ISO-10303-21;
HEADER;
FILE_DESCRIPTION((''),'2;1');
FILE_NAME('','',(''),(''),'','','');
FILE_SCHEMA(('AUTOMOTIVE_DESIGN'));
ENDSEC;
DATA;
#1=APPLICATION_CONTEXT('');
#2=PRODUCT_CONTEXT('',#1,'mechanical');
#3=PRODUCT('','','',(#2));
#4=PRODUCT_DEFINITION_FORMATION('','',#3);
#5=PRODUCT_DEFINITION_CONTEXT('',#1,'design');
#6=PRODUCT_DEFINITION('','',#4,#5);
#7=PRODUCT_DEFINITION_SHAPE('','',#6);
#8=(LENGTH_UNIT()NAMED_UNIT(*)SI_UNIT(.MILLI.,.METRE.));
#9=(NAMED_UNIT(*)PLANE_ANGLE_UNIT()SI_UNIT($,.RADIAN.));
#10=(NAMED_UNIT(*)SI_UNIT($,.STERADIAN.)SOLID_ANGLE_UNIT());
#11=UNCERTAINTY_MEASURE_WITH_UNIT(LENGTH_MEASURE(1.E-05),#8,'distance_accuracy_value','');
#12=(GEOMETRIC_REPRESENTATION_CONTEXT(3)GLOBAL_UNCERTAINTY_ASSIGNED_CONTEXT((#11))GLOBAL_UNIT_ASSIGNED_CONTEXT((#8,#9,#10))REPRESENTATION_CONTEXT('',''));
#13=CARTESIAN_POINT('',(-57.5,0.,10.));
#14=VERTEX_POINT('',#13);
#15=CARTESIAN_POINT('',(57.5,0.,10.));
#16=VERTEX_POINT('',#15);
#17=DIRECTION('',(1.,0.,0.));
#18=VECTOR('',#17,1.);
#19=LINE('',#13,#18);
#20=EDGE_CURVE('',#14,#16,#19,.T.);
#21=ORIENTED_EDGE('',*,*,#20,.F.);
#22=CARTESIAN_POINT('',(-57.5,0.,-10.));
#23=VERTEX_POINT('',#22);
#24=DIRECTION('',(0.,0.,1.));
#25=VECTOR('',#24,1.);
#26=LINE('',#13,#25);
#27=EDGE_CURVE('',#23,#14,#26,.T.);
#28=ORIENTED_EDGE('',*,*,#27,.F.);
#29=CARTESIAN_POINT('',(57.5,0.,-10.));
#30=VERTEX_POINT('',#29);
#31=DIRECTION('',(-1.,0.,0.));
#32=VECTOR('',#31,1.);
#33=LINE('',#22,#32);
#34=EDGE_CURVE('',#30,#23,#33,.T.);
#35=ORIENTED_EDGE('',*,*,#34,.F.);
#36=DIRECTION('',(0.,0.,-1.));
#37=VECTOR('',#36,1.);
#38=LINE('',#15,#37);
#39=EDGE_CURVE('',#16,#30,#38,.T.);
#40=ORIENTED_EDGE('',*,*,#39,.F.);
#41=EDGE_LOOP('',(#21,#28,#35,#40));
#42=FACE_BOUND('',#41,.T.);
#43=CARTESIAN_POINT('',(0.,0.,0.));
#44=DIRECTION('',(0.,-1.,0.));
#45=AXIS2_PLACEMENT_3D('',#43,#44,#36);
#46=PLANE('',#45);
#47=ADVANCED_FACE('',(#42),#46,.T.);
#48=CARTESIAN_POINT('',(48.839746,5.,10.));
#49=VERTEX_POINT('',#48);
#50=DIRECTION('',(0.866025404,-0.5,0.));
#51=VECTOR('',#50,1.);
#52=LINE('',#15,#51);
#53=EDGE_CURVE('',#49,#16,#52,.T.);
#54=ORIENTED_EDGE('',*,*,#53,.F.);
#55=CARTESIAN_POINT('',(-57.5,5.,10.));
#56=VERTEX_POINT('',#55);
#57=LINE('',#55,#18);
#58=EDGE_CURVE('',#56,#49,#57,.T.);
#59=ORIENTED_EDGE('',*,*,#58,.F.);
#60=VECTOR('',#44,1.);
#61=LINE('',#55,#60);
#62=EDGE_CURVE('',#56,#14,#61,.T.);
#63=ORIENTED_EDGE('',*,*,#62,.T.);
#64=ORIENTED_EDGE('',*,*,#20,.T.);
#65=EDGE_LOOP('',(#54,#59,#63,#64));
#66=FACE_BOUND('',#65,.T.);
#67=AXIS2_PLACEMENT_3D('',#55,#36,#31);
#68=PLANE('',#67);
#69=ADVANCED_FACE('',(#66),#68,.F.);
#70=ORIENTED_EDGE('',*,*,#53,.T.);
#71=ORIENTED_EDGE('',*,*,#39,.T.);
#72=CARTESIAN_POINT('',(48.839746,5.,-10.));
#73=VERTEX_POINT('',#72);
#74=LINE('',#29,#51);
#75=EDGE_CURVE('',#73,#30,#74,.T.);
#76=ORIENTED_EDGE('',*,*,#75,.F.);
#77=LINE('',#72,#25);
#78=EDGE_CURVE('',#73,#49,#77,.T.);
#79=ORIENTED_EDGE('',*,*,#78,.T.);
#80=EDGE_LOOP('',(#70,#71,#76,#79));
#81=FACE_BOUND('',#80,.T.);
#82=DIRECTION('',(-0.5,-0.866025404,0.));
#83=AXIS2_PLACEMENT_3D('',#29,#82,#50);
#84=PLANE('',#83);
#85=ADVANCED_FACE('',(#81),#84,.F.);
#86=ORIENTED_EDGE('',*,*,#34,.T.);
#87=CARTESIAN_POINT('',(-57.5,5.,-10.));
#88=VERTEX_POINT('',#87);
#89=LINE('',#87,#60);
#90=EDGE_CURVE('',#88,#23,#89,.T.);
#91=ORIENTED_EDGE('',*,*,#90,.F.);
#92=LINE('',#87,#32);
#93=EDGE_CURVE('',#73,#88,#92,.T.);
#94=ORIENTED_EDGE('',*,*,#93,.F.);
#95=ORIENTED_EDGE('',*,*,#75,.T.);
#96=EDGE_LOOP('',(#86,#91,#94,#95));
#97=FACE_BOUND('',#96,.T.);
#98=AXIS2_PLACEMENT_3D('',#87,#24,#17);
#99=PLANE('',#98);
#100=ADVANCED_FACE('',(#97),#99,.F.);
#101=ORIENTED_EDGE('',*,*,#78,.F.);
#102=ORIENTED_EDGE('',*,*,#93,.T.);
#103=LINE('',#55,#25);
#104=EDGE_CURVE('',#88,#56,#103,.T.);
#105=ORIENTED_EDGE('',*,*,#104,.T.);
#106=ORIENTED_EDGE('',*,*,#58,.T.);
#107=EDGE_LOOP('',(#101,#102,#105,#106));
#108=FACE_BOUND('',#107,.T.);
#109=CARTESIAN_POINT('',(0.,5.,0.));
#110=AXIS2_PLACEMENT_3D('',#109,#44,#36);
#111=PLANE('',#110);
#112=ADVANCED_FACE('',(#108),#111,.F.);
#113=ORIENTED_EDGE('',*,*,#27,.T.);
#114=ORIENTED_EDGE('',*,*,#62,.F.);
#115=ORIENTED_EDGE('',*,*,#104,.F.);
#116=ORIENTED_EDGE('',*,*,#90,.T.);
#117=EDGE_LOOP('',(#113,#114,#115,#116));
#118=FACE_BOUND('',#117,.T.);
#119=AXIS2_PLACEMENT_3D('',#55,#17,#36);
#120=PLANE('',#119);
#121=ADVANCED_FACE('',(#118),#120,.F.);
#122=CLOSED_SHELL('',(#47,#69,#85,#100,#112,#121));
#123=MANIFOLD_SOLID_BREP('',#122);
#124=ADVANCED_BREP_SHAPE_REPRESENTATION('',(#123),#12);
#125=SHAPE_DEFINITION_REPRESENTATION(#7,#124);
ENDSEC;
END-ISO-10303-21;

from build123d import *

# Parameters (mm, degrees)
SKETCH1_W           = 115
SKETCH1_H           = 20
BOSS_EXTRUDE1_DEPTH = 5
CUT_EXTRUDE1_DEPTH  = 21


with BuildPart() as part:
    # Sketch1 → Boss-Extrude1 (new body)
    with BuildSketch(Plane(origin=(0, 0, 0), x_dir=(1, 0, 0), z_dir=(0, 1, 0))):
        Rectangle(SKETCH1_W, SKETCH1_H)
    extrude(amount=BOSS_EXTRUDE1_DEPTH)

    # Sketch2 → Cut-Extrude1 (cut, through all)
    with BuildSketch(Plane.XY.offset(10)):
        Polygon((57.5, 0), (48.839745962, 5), (57.5, 5), align=None)
    extrude(amount=-CUT_EXTRUDE1_DEPTH, mode=Mode.SUBTRACT)


solid = part.part
